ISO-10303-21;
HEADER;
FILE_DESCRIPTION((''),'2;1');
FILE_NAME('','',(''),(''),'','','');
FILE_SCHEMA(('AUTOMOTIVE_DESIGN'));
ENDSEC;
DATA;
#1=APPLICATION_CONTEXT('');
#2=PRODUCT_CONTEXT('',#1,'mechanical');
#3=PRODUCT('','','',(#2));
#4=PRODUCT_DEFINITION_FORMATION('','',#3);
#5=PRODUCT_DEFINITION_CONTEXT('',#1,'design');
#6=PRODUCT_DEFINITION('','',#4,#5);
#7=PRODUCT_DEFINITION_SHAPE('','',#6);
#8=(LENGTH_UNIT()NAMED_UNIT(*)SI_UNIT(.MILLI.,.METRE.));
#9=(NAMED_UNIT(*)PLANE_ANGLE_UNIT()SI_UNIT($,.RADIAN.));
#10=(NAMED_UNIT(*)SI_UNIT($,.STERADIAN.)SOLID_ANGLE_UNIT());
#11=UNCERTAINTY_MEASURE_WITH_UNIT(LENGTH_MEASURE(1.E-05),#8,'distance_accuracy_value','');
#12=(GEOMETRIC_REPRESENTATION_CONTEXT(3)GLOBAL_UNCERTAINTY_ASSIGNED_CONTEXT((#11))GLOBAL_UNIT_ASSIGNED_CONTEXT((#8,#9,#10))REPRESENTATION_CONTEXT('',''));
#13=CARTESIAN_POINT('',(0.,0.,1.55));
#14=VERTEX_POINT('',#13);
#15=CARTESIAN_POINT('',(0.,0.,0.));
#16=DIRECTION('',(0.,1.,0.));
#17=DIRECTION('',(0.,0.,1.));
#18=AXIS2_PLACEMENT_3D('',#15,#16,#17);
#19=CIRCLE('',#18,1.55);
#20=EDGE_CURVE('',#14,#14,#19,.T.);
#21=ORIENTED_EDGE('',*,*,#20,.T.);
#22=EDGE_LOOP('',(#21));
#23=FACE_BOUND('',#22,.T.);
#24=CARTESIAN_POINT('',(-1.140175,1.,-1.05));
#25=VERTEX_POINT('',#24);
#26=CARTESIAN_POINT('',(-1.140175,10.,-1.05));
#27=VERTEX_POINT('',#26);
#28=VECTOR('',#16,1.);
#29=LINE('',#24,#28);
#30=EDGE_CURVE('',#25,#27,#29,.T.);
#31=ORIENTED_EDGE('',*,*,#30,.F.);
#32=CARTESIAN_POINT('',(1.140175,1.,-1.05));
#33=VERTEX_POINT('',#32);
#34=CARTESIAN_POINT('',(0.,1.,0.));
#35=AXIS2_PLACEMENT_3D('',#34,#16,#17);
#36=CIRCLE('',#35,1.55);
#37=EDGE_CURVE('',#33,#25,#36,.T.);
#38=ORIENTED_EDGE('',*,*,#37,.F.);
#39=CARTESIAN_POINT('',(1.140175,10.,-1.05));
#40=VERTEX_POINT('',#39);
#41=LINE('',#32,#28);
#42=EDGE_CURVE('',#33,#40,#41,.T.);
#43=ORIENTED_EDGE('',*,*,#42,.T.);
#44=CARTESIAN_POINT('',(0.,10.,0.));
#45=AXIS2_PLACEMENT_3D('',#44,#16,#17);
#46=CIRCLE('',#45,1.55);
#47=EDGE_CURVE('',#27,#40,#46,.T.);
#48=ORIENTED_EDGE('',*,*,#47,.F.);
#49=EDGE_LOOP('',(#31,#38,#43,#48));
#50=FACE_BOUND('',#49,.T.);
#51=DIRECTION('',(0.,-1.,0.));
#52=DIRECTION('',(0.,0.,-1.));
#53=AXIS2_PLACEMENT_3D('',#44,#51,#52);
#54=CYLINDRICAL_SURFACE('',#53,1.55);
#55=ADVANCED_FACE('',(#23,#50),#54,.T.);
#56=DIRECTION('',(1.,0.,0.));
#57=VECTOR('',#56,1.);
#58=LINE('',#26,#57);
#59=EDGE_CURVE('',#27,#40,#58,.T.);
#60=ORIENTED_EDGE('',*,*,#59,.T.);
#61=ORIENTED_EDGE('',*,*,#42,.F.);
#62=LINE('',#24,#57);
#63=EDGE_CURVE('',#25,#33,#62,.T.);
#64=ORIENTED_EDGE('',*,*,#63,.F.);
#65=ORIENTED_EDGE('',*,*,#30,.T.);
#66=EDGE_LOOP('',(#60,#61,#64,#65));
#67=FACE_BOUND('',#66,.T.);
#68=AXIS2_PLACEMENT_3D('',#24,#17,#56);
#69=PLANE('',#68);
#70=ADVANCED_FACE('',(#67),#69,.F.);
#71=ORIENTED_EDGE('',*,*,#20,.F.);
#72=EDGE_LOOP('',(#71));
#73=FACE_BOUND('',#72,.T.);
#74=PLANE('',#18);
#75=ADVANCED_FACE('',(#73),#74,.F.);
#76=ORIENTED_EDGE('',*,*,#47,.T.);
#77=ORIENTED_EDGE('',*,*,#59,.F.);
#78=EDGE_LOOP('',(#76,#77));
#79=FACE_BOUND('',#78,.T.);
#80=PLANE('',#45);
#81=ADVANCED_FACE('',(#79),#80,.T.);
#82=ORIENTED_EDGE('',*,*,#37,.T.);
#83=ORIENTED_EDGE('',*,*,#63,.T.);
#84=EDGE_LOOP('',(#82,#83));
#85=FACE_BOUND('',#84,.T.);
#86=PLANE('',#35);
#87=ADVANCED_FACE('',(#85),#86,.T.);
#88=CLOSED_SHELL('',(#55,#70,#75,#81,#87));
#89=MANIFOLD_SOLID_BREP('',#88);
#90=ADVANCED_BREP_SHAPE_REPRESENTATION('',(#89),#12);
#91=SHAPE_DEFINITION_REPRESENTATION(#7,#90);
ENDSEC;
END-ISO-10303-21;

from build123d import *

# Parameters (mm, degrees)
SKETCH_1_R          = 1.55
EXTRUDE_1_DEPTH     = 10
CUT_EXTRUDE_START   = -9
CUT_EXTRUDE_1_DEPTH = 9


with BuildPart() as part:
    # Эскиз1 → Бобышка-Вытянуть1 (new body)
    with BuildSketch(Plane(origin=(0, 0, 0), x_dir=(1, 0, 0), z_dir=(0, 1, 0))):
        with Locations(Location((0, 0, 0), (0, 0, 270))):
            Circle(SKETCH_1_R)
    extrude(amount=EXTRUDE_1_DEPTH)

    # Эскиз3 → Вырез-Вытянуть1 (cut)
    with BuildSketch(Plane(origin=(0, 10, 0), x_dir=(1, 0, 0), z_dir=(0, 1, 0)).offset(CUT_EXTRUDE_START)):
        with BuildLine():
            Line((-1.140175425, 1.05), (1.140175425, 1.05))
            ThreePointArc((1.140175425, 1.05), (0, 1.55), (-1.140175425, 1.05))
        make_face()
    extrude(amount=CUT_EXTRUDE_1_DEPTH, mode=Mode.SUBTRACT)


solid = part.part
